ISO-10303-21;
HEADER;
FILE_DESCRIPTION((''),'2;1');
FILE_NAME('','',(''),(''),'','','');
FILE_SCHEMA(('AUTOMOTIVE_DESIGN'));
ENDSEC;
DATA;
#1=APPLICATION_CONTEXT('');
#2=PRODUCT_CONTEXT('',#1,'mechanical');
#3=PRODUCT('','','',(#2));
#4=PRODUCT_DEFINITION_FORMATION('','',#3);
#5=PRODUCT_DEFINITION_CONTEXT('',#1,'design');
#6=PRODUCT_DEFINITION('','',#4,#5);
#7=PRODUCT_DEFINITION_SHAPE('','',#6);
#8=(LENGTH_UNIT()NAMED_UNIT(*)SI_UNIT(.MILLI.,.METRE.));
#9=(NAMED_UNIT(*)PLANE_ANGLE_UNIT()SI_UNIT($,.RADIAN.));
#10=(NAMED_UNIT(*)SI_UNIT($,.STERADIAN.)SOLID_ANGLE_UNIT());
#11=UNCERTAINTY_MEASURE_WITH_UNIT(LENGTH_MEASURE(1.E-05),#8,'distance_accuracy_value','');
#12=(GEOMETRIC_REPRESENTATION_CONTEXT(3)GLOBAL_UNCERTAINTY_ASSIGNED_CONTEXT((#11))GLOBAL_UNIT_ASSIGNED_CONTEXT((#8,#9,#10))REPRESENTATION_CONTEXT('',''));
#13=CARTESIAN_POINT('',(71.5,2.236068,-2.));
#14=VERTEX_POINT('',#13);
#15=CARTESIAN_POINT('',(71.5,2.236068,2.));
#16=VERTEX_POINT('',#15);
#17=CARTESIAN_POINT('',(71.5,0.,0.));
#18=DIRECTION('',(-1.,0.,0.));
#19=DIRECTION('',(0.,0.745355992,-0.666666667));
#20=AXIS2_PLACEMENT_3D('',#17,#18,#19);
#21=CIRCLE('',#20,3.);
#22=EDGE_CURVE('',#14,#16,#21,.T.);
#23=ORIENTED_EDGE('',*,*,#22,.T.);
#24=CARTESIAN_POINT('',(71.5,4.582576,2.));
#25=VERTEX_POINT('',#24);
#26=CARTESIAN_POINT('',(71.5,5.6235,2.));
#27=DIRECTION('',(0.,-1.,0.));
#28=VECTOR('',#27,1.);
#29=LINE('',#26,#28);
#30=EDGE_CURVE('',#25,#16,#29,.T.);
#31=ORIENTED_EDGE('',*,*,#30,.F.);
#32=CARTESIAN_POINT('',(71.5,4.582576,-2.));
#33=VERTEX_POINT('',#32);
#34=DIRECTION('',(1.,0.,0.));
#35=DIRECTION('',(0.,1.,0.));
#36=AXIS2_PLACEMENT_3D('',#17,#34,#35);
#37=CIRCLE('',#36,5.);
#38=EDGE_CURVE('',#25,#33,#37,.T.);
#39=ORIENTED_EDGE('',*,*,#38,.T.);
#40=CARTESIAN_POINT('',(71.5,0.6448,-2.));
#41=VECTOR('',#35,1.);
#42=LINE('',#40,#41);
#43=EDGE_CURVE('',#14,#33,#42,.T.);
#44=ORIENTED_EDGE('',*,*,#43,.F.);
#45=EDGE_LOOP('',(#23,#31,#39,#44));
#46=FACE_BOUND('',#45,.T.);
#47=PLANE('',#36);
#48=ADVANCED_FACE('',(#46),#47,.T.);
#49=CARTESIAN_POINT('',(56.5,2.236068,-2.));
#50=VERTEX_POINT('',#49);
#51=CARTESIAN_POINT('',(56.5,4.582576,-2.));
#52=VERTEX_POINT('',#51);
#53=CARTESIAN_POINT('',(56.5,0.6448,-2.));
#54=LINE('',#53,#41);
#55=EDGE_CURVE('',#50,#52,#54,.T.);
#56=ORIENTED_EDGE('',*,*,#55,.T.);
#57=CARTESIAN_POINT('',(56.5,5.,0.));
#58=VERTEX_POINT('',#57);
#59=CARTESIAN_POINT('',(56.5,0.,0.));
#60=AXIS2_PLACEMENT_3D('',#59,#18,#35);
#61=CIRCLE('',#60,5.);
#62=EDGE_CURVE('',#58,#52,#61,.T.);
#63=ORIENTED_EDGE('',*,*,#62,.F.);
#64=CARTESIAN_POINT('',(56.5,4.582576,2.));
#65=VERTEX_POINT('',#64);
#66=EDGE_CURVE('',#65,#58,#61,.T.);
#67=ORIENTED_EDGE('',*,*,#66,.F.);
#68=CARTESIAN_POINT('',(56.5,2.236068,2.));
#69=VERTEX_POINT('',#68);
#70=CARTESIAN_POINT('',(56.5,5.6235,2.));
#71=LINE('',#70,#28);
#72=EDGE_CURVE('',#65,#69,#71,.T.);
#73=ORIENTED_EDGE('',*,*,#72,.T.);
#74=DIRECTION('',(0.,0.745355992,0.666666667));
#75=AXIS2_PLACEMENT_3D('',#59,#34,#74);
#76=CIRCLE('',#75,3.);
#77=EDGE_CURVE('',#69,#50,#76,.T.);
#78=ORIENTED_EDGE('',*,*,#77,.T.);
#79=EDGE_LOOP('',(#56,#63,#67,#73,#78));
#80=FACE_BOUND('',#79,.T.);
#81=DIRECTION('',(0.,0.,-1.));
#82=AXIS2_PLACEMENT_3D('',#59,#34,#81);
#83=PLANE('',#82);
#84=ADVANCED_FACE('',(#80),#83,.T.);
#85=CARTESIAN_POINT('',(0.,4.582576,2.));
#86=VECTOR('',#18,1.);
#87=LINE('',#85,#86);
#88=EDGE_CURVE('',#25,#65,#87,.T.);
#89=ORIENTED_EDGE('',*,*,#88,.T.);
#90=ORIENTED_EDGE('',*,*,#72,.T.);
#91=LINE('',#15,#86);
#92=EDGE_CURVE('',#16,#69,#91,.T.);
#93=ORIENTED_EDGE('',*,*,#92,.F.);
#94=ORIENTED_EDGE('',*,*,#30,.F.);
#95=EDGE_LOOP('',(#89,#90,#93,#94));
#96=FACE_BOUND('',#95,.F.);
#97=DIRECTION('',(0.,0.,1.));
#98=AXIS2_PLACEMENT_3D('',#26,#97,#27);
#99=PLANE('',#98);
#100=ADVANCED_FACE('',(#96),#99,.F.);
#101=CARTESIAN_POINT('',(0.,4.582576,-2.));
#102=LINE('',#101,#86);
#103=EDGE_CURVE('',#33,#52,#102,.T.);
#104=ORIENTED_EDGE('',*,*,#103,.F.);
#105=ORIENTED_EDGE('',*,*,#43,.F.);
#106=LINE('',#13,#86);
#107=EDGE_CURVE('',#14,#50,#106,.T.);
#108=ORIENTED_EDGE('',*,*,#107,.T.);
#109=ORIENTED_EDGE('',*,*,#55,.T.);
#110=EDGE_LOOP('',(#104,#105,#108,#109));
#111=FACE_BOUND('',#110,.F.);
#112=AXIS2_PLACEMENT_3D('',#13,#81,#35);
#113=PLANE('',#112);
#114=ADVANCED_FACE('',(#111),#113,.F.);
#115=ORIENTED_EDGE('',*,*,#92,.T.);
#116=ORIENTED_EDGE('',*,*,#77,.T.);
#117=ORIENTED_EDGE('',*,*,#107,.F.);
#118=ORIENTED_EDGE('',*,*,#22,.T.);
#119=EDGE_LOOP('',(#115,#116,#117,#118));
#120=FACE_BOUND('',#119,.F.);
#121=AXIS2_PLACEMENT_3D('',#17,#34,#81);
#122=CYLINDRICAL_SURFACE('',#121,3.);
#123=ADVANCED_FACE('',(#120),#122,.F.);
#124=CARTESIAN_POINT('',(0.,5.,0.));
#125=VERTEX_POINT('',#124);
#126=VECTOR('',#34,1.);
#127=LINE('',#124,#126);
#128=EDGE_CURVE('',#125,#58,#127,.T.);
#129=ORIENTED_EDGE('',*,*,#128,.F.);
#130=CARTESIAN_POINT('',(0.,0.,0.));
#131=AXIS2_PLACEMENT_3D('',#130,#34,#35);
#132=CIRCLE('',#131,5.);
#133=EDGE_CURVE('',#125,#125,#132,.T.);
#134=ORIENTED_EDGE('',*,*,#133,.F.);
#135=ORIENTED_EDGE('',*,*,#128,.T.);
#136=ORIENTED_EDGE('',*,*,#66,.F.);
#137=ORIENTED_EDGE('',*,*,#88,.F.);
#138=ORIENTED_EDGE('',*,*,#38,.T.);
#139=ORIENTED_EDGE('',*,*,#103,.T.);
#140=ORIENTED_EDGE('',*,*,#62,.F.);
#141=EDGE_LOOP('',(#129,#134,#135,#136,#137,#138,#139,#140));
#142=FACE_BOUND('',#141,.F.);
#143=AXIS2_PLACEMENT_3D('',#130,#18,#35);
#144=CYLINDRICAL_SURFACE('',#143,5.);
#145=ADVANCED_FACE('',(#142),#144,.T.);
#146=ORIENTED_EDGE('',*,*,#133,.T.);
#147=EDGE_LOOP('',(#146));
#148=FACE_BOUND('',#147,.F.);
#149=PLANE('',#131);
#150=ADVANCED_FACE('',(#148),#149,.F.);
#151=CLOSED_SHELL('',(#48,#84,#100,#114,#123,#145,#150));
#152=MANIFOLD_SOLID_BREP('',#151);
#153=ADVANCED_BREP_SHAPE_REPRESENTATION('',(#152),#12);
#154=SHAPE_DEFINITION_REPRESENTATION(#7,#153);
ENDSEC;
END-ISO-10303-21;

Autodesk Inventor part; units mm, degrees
ref_plane "YZ Plane" through (0, 0, 0) normal (1, 0, 0) x (0, 1, 0)
ref_plane "XZ Plane" through (0, 0, 0) normal (0, 1, 0) x (-1, 0, 0)
ref_plane "XY Plane" through (0, 0, 0) normal (0, 0, 1) x (1, 0, 0)
sketch "スケッチ1" plane through (0, 0, 0) normal (1, 0, 0) x (0, 1, 0)
  circle A0 centre (0, 0) radius 5
  dimension "d0" = 10
extrude "押し出し1" add sketch "スケッチ1" along normal blind 71.5
sketch "スケッチ2" plane through (71.5, 0, 0) normal (1, 0, 0) x (0, 0, -1)
  circle A0 centre (0, 0) radius 3
  line L0 (-2, 5.6235) -> (-2, 0.6448)
  line L1 (-2, 0.6448) -> (2, 0.6448)
  line L2 (2, 0.6448) -> (2, 6.3088)
  line L3 (-2, 5.6235) -> (2, 5.6235)
  point P0 (-2, 2.2361)
  point P1 (2, 2.2361)
  dimension "d3" = 6
  dimension "d4" = 2
  dimension "d5" = 2
extrude "押し出し2" cut sketch "スケッチ2" against normal blind 15
properties part number "RZvector-arm-rotate-v1-Shaft-MM5-Shaft" material "アルミニウム 6061"
